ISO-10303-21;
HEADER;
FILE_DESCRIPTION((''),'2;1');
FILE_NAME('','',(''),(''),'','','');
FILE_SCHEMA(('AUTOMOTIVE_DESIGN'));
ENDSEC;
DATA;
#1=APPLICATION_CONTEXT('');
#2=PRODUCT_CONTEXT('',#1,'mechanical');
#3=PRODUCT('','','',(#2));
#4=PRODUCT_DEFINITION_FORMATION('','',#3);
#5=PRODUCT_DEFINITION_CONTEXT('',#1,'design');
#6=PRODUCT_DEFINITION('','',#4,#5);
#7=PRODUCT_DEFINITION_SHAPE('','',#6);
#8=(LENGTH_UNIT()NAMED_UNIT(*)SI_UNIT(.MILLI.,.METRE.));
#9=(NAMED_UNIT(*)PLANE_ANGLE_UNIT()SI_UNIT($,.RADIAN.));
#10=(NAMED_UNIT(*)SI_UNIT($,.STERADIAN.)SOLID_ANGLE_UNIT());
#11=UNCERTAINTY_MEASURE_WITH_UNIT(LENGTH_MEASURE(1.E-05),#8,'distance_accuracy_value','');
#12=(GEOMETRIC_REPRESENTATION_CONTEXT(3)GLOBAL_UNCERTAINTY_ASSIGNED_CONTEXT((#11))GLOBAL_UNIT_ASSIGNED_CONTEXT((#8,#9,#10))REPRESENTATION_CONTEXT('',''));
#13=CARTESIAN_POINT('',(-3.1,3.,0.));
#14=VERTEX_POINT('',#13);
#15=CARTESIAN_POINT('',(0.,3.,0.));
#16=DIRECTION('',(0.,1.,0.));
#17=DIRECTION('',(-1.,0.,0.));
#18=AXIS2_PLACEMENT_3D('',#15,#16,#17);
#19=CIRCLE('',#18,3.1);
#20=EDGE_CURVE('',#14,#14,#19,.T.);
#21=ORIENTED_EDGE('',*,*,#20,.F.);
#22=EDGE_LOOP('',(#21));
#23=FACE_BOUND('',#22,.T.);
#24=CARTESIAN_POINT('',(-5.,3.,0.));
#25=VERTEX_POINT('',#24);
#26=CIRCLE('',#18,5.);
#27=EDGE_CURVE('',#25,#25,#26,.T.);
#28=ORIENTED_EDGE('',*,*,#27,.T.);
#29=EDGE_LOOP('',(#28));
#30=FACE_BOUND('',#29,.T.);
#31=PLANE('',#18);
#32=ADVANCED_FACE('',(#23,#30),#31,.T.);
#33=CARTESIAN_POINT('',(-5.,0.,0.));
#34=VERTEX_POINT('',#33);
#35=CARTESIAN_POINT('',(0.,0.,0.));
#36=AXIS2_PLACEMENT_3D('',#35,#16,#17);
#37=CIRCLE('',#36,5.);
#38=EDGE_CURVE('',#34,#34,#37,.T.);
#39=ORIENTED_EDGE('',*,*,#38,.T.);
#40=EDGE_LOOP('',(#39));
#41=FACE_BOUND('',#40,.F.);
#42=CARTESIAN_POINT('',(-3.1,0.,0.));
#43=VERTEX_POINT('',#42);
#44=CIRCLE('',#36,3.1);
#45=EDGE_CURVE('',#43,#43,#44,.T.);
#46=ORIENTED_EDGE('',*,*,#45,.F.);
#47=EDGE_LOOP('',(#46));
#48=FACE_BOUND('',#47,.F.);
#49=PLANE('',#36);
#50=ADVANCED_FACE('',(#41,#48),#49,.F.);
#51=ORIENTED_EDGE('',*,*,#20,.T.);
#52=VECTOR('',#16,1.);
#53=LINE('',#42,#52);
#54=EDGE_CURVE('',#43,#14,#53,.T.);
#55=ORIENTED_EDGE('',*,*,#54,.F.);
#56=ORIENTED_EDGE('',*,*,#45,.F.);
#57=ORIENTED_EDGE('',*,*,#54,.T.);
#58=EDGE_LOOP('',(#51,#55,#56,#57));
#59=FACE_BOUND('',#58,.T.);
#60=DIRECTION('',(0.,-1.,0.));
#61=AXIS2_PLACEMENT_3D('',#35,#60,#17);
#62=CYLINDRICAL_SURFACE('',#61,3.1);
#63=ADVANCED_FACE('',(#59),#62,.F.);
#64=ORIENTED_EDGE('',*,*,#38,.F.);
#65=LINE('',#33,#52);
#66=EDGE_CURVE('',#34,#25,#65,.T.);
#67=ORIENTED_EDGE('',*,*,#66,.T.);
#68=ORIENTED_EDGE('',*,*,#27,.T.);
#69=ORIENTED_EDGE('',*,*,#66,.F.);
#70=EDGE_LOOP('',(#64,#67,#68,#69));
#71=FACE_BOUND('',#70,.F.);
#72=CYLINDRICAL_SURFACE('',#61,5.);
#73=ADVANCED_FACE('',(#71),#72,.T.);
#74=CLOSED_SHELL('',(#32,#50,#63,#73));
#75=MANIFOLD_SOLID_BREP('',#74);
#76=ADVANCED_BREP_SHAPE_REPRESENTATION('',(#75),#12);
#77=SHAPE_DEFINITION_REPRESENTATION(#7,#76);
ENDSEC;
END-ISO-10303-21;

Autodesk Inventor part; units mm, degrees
ref_plane "YZ Plane" through (0, 0, 0) normal (1, 0, 0) x (0, 1, 0)
ref_plane "XZ Plane" through (0, 0, 0) normal (0, 1, 0) x (-1, 0, 0)
ref_plane "XY Plane" through (0, 0, 0) normal (0, 0, 1) x (1, 0, 0)
sketch "Sketch1" plane through (0, 0, 0) normal (0, 1, 0) x (-1, 0, 0)
  circle A0 centre (0, 0) radius 3.1
  circle A1 centre (0, 0) radius 5
  dimension "d0" = 6.2
  dimension "d1" = 10
extrude "Extrusion1" add sketch "Sketch1" along normal blind 3
properties part number "outerDistance" material "ABS Plastic"
